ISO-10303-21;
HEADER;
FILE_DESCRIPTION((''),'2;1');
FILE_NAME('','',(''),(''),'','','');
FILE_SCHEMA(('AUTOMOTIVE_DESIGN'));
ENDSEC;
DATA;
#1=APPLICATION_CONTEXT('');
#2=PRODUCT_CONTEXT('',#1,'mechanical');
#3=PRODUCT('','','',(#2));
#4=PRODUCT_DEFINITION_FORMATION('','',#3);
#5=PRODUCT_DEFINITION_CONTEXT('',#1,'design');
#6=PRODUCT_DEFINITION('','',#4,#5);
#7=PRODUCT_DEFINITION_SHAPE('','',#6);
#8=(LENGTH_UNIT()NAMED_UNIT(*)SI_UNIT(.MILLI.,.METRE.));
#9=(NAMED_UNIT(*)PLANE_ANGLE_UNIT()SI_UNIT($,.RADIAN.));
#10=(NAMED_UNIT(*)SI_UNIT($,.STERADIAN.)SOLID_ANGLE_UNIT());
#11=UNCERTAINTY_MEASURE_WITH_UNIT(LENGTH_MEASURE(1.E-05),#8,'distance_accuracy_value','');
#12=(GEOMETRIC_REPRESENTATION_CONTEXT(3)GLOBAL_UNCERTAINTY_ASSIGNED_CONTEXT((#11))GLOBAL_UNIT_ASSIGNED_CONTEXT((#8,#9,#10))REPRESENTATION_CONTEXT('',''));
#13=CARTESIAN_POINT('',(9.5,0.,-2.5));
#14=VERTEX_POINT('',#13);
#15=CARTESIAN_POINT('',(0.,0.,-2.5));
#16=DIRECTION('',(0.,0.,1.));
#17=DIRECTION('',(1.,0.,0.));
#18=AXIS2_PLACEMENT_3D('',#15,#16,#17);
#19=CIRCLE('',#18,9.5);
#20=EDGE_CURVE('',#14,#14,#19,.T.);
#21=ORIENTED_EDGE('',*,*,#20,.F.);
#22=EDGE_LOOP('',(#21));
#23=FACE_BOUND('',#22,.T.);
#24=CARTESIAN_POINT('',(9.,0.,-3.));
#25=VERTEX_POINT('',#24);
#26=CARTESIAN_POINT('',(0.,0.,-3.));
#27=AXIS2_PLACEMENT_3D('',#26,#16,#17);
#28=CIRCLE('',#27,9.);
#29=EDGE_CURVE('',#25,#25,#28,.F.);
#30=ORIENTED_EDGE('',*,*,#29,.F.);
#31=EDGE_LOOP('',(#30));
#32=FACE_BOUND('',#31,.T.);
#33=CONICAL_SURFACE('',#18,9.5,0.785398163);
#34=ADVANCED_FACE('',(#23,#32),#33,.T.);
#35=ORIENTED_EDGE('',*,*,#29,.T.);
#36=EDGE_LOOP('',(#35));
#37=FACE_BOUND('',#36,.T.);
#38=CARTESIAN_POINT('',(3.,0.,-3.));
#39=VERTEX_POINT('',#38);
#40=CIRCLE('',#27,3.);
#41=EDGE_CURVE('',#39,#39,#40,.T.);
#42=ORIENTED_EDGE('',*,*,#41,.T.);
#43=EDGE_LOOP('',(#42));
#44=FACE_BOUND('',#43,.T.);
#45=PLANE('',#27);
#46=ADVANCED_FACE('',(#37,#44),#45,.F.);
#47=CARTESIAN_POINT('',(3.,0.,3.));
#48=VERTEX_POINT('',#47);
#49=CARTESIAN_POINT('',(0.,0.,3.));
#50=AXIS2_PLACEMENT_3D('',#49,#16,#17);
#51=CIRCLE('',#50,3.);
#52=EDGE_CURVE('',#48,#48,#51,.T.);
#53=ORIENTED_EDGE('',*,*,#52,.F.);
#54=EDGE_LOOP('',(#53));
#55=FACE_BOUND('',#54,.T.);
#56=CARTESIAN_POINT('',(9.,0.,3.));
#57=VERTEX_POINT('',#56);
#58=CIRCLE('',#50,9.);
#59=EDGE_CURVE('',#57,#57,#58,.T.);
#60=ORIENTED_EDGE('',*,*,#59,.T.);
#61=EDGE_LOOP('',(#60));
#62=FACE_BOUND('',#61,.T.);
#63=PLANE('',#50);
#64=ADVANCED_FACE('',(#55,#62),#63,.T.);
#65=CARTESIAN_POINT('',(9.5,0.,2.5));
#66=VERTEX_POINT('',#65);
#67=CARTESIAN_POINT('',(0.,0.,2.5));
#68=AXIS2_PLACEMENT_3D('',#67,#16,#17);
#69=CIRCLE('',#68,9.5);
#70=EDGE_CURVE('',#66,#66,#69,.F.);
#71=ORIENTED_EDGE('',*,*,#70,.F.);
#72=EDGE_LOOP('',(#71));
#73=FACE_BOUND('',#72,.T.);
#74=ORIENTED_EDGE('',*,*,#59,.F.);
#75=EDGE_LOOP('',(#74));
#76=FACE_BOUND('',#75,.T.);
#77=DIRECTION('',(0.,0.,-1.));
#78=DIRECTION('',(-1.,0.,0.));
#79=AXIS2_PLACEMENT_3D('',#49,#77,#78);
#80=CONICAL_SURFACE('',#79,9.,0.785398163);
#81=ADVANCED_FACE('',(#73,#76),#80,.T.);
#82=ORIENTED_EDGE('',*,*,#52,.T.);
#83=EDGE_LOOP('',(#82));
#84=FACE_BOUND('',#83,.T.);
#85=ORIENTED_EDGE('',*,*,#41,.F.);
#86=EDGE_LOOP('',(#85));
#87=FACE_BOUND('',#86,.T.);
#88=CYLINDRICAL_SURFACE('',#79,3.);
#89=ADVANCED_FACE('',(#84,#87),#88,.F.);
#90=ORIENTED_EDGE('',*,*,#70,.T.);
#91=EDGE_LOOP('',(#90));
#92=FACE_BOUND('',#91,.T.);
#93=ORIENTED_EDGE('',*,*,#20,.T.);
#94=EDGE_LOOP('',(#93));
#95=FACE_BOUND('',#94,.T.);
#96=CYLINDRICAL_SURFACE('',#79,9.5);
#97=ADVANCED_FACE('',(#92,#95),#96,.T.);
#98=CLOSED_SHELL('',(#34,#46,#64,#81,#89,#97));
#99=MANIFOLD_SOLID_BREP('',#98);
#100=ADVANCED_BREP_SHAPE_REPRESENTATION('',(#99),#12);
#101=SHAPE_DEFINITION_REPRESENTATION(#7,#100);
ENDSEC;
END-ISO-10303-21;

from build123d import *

# Parameters (mm, degrees)
SKETCH1_R           = 9.5
SKETCH1_R_2         = 3
BOSS_EXTRUDE1_DEPTH = 3
CHAMFER1_SIZE       = 0.5


with BuildPart() as part:
    # Sketch1 → Boss-Extrude1 (new body, symmetric)
    with BuildSketch(Plane.XY):
        Circle(SKETCH1_R)
        Circle(SKETCH1_R_2, mode=Mode.SUBTRACT)
    extrude(amount=BOSS_EXTRUDE1_DEPTH, both=True)

    # Chamfer1
    chamfer1_edges = [part.edges().sort_by_distance(p)[0] for p in [
        (-9.5, 0, -3),
        (-9.5, 0, 3),
    ]]
    chamfer(chamfer1_edges, length=CHAMFER1_SIZE)


solid = part.part
